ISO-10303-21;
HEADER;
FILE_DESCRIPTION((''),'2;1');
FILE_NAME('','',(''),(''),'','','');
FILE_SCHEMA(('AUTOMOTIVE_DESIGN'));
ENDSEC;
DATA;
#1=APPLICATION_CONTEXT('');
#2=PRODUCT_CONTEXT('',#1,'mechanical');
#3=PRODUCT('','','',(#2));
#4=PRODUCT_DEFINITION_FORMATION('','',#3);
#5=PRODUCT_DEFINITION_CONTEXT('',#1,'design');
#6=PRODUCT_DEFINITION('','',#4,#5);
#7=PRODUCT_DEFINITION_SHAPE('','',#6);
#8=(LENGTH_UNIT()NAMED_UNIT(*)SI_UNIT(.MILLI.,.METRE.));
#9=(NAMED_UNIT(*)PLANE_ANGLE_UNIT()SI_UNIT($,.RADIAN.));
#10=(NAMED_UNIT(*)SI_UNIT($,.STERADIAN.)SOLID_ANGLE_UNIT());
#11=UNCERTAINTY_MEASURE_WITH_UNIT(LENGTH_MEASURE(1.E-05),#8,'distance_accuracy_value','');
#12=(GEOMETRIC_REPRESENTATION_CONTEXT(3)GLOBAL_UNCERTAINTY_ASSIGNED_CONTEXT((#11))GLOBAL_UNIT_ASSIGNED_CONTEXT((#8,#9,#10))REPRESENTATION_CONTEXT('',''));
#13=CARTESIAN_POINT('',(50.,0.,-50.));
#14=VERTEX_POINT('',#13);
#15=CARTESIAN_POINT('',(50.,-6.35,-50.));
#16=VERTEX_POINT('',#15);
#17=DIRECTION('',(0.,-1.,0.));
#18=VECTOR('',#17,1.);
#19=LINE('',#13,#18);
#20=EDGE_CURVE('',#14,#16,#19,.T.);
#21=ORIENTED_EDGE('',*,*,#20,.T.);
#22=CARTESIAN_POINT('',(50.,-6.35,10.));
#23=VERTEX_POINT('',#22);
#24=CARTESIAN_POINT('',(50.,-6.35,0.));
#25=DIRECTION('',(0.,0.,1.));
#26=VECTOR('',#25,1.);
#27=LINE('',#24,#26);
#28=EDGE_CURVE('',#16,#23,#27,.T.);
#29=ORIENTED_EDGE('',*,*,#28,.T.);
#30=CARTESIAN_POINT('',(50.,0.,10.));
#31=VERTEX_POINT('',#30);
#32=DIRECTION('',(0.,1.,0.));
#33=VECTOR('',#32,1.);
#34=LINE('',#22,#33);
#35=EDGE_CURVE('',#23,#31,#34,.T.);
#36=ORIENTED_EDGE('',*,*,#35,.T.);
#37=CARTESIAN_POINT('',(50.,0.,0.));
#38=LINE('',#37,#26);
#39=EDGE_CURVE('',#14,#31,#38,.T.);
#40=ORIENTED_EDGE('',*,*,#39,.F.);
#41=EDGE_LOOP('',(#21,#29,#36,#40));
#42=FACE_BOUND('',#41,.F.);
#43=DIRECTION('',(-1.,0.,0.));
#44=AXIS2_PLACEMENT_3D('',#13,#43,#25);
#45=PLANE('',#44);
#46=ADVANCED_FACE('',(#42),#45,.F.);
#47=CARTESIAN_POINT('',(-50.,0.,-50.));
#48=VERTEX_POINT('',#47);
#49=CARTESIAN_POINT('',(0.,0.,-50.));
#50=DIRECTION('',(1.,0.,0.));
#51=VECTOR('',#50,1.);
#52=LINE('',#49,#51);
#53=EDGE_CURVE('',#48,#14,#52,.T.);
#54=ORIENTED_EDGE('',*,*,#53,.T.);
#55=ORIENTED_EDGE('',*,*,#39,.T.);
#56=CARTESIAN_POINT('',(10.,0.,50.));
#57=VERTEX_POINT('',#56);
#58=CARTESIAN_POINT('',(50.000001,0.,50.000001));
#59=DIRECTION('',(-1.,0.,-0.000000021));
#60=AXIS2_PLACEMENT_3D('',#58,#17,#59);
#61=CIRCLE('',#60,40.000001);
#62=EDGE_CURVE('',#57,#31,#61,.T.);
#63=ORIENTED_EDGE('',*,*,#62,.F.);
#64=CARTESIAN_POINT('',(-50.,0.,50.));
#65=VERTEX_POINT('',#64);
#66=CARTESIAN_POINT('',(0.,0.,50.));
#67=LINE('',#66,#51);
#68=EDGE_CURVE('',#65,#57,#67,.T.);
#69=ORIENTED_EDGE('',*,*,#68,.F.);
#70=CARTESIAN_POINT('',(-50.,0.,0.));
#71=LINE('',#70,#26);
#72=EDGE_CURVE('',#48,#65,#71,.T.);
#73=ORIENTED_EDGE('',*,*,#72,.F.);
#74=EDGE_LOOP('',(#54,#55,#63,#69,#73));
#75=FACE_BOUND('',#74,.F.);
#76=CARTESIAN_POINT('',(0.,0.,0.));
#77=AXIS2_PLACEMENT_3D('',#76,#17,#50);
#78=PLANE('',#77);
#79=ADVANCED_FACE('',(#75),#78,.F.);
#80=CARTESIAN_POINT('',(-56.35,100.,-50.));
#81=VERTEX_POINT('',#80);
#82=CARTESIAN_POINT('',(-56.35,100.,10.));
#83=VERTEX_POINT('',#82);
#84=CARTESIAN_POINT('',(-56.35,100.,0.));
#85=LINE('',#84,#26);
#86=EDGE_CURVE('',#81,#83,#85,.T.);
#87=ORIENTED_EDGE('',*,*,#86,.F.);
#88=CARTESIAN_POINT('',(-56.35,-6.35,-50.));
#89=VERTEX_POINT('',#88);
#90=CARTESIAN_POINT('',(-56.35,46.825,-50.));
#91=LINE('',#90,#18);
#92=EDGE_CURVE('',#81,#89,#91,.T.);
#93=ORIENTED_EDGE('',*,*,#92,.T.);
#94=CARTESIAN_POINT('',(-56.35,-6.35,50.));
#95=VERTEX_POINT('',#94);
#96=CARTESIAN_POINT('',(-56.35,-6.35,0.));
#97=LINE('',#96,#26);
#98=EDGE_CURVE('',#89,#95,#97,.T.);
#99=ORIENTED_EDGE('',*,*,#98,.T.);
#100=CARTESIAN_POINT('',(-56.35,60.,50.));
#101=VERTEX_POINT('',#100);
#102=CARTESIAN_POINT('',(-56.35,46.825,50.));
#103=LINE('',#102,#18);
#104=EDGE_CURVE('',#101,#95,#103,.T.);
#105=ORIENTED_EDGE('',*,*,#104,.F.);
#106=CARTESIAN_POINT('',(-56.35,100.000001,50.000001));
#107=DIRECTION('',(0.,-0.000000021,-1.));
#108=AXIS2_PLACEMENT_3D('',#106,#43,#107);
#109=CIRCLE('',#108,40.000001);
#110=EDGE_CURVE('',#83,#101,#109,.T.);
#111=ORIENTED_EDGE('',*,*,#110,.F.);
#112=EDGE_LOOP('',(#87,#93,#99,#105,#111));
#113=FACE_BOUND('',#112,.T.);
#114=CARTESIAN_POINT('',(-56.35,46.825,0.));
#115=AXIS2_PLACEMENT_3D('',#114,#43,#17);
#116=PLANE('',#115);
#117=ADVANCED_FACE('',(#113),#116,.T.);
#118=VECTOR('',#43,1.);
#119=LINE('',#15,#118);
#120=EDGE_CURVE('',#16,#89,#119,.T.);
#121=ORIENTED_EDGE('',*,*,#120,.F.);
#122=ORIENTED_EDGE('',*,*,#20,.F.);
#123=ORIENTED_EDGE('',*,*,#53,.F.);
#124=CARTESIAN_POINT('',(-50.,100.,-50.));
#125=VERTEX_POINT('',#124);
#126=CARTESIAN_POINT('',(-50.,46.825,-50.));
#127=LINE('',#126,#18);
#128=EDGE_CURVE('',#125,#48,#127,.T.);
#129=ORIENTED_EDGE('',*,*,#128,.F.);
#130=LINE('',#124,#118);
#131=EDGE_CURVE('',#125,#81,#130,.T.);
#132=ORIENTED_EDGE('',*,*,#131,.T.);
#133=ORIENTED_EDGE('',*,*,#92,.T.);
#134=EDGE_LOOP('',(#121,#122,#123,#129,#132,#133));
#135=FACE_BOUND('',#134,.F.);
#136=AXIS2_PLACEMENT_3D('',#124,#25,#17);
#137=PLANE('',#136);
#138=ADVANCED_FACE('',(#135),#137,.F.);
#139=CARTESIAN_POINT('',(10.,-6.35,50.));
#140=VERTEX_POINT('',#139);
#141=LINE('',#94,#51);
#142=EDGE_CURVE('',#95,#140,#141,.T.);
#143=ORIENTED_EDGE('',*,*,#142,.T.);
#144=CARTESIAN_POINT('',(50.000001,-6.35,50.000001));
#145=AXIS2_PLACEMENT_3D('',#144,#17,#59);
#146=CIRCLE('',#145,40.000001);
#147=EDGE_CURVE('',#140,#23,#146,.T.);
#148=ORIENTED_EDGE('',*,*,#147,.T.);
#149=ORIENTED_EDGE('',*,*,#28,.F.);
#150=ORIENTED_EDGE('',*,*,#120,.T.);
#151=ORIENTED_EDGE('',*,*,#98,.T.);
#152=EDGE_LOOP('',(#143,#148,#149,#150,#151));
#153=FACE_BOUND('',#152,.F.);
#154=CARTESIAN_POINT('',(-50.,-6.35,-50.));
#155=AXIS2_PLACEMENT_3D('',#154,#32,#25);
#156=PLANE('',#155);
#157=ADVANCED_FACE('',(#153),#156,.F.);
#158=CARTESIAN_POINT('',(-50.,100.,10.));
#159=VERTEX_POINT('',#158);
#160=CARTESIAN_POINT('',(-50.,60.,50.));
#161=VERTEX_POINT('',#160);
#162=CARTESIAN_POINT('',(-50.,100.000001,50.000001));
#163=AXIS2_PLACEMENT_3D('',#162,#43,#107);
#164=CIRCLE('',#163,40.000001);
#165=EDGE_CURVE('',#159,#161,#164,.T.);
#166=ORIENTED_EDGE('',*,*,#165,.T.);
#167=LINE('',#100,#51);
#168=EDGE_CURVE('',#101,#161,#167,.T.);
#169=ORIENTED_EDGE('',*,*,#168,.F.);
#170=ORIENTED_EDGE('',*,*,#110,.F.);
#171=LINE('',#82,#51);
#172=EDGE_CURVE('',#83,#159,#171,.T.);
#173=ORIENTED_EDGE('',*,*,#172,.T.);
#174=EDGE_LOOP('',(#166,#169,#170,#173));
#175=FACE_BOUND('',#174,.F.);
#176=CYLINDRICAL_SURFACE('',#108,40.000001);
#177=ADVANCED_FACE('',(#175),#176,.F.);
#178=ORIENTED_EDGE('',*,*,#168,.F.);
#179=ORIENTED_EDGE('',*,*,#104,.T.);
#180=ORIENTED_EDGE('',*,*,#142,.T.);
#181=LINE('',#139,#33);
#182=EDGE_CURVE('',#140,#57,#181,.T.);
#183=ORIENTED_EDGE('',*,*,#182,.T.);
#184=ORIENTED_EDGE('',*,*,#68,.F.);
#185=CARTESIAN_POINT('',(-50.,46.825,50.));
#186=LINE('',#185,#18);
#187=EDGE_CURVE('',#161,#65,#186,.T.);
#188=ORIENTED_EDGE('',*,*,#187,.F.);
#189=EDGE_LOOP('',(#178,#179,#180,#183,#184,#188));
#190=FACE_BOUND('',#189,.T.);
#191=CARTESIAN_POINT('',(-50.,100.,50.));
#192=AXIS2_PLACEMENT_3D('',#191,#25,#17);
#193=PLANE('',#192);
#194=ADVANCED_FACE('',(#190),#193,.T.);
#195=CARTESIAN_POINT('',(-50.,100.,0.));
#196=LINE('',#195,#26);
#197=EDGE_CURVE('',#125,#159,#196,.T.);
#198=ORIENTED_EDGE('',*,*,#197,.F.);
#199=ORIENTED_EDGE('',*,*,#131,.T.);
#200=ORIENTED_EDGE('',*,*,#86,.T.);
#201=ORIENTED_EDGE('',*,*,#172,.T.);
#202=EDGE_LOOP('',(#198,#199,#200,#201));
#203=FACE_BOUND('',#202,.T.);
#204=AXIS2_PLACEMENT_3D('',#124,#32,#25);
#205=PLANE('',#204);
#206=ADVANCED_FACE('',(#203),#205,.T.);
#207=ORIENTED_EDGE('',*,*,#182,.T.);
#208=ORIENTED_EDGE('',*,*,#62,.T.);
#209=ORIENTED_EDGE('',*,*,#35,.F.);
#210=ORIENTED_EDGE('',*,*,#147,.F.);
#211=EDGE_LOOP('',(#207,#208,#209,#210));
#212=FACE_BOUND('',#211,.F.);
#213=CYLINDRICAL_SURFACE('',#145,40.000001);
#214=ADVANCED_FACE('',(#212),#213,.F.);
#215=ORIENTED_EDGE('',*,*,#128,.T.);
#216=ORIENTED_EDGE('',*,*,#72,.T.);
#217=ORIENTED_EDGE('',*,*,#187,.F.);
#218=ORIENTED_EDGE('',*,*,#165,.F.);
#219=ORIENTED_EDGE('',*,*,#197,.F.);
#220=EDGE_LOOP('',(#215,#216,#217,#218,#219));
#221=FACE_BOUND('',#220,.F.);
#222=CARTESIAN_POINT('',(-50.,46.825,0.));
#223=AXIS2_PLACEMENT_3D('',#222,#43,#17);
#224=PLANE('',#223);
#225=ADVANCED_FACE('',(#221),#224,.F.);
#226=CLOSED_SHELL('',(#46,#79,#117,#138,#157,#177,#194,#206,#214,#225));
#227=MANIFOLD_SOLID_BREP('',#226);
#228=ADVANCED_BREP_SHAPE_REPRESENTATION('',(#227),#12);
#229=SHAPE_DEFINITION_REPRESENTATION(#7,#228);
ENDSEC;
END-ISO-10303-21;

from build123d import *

# Parameters (mm, degrees)
F0_W     = 100
F0_H     = 100
F1_DEPTH = 6.35
F2_W     = 106.35
F2_H     = 100
F3_DEPTH = 6.35
F6_DEPTH = 25
F7_DEPTH = 25


with BuildPart() as f1:
    # F0 (on Front) → F1 (new body)
    with BuildSketch(Plane.XZ):
        Rectangle(F0_W, F0_H)
    extrude(amount=F1_DEPTH)

    # F2 (on face) → F3 (join)
    with BuildSketch(Plane(origin=(-50, 0, 0), x_dir=(0, -1, 0), z_dir=(-1, 0, 0))):
        with Locations((-46.825, 0)):
            Rectangle(F2_W, F2_H)
    extrude(amount=F3_DEPTH)

    # F5 (on face) → F6 (cut)
    with BuildSketch(Plane(origin=(-56.35, 0, 0), x_dir=(0, -1, 0), z_dir=(-1, 0, 0))):
        with BuildLine():
            Line((-100, 50), (-100, 10))
            ThreePointArc((-100, 10), (-71.715729, 21.715729), (-60, 50))
            Line((-60, 50), (-100, 50))
        make_face()
    extrude(amount=-F6_DEPTH, mode=Mode.SUBTRACT)

    # F4 (on face) → F7 (cut)
    with BuildSketch(Plane.XZ.offset(6.35)):
        with BuildLine():
            Line((50, 50), (10, 50))
            ThreePointArc((10, 50), (21.715729, 21.715729), (50, 10))
            Line((50, 10), (50, 50))
        make_face()
    extrude(amount=-F7_DEPTH, mode=Mode.SUBTRACT)


solid = f1.part
